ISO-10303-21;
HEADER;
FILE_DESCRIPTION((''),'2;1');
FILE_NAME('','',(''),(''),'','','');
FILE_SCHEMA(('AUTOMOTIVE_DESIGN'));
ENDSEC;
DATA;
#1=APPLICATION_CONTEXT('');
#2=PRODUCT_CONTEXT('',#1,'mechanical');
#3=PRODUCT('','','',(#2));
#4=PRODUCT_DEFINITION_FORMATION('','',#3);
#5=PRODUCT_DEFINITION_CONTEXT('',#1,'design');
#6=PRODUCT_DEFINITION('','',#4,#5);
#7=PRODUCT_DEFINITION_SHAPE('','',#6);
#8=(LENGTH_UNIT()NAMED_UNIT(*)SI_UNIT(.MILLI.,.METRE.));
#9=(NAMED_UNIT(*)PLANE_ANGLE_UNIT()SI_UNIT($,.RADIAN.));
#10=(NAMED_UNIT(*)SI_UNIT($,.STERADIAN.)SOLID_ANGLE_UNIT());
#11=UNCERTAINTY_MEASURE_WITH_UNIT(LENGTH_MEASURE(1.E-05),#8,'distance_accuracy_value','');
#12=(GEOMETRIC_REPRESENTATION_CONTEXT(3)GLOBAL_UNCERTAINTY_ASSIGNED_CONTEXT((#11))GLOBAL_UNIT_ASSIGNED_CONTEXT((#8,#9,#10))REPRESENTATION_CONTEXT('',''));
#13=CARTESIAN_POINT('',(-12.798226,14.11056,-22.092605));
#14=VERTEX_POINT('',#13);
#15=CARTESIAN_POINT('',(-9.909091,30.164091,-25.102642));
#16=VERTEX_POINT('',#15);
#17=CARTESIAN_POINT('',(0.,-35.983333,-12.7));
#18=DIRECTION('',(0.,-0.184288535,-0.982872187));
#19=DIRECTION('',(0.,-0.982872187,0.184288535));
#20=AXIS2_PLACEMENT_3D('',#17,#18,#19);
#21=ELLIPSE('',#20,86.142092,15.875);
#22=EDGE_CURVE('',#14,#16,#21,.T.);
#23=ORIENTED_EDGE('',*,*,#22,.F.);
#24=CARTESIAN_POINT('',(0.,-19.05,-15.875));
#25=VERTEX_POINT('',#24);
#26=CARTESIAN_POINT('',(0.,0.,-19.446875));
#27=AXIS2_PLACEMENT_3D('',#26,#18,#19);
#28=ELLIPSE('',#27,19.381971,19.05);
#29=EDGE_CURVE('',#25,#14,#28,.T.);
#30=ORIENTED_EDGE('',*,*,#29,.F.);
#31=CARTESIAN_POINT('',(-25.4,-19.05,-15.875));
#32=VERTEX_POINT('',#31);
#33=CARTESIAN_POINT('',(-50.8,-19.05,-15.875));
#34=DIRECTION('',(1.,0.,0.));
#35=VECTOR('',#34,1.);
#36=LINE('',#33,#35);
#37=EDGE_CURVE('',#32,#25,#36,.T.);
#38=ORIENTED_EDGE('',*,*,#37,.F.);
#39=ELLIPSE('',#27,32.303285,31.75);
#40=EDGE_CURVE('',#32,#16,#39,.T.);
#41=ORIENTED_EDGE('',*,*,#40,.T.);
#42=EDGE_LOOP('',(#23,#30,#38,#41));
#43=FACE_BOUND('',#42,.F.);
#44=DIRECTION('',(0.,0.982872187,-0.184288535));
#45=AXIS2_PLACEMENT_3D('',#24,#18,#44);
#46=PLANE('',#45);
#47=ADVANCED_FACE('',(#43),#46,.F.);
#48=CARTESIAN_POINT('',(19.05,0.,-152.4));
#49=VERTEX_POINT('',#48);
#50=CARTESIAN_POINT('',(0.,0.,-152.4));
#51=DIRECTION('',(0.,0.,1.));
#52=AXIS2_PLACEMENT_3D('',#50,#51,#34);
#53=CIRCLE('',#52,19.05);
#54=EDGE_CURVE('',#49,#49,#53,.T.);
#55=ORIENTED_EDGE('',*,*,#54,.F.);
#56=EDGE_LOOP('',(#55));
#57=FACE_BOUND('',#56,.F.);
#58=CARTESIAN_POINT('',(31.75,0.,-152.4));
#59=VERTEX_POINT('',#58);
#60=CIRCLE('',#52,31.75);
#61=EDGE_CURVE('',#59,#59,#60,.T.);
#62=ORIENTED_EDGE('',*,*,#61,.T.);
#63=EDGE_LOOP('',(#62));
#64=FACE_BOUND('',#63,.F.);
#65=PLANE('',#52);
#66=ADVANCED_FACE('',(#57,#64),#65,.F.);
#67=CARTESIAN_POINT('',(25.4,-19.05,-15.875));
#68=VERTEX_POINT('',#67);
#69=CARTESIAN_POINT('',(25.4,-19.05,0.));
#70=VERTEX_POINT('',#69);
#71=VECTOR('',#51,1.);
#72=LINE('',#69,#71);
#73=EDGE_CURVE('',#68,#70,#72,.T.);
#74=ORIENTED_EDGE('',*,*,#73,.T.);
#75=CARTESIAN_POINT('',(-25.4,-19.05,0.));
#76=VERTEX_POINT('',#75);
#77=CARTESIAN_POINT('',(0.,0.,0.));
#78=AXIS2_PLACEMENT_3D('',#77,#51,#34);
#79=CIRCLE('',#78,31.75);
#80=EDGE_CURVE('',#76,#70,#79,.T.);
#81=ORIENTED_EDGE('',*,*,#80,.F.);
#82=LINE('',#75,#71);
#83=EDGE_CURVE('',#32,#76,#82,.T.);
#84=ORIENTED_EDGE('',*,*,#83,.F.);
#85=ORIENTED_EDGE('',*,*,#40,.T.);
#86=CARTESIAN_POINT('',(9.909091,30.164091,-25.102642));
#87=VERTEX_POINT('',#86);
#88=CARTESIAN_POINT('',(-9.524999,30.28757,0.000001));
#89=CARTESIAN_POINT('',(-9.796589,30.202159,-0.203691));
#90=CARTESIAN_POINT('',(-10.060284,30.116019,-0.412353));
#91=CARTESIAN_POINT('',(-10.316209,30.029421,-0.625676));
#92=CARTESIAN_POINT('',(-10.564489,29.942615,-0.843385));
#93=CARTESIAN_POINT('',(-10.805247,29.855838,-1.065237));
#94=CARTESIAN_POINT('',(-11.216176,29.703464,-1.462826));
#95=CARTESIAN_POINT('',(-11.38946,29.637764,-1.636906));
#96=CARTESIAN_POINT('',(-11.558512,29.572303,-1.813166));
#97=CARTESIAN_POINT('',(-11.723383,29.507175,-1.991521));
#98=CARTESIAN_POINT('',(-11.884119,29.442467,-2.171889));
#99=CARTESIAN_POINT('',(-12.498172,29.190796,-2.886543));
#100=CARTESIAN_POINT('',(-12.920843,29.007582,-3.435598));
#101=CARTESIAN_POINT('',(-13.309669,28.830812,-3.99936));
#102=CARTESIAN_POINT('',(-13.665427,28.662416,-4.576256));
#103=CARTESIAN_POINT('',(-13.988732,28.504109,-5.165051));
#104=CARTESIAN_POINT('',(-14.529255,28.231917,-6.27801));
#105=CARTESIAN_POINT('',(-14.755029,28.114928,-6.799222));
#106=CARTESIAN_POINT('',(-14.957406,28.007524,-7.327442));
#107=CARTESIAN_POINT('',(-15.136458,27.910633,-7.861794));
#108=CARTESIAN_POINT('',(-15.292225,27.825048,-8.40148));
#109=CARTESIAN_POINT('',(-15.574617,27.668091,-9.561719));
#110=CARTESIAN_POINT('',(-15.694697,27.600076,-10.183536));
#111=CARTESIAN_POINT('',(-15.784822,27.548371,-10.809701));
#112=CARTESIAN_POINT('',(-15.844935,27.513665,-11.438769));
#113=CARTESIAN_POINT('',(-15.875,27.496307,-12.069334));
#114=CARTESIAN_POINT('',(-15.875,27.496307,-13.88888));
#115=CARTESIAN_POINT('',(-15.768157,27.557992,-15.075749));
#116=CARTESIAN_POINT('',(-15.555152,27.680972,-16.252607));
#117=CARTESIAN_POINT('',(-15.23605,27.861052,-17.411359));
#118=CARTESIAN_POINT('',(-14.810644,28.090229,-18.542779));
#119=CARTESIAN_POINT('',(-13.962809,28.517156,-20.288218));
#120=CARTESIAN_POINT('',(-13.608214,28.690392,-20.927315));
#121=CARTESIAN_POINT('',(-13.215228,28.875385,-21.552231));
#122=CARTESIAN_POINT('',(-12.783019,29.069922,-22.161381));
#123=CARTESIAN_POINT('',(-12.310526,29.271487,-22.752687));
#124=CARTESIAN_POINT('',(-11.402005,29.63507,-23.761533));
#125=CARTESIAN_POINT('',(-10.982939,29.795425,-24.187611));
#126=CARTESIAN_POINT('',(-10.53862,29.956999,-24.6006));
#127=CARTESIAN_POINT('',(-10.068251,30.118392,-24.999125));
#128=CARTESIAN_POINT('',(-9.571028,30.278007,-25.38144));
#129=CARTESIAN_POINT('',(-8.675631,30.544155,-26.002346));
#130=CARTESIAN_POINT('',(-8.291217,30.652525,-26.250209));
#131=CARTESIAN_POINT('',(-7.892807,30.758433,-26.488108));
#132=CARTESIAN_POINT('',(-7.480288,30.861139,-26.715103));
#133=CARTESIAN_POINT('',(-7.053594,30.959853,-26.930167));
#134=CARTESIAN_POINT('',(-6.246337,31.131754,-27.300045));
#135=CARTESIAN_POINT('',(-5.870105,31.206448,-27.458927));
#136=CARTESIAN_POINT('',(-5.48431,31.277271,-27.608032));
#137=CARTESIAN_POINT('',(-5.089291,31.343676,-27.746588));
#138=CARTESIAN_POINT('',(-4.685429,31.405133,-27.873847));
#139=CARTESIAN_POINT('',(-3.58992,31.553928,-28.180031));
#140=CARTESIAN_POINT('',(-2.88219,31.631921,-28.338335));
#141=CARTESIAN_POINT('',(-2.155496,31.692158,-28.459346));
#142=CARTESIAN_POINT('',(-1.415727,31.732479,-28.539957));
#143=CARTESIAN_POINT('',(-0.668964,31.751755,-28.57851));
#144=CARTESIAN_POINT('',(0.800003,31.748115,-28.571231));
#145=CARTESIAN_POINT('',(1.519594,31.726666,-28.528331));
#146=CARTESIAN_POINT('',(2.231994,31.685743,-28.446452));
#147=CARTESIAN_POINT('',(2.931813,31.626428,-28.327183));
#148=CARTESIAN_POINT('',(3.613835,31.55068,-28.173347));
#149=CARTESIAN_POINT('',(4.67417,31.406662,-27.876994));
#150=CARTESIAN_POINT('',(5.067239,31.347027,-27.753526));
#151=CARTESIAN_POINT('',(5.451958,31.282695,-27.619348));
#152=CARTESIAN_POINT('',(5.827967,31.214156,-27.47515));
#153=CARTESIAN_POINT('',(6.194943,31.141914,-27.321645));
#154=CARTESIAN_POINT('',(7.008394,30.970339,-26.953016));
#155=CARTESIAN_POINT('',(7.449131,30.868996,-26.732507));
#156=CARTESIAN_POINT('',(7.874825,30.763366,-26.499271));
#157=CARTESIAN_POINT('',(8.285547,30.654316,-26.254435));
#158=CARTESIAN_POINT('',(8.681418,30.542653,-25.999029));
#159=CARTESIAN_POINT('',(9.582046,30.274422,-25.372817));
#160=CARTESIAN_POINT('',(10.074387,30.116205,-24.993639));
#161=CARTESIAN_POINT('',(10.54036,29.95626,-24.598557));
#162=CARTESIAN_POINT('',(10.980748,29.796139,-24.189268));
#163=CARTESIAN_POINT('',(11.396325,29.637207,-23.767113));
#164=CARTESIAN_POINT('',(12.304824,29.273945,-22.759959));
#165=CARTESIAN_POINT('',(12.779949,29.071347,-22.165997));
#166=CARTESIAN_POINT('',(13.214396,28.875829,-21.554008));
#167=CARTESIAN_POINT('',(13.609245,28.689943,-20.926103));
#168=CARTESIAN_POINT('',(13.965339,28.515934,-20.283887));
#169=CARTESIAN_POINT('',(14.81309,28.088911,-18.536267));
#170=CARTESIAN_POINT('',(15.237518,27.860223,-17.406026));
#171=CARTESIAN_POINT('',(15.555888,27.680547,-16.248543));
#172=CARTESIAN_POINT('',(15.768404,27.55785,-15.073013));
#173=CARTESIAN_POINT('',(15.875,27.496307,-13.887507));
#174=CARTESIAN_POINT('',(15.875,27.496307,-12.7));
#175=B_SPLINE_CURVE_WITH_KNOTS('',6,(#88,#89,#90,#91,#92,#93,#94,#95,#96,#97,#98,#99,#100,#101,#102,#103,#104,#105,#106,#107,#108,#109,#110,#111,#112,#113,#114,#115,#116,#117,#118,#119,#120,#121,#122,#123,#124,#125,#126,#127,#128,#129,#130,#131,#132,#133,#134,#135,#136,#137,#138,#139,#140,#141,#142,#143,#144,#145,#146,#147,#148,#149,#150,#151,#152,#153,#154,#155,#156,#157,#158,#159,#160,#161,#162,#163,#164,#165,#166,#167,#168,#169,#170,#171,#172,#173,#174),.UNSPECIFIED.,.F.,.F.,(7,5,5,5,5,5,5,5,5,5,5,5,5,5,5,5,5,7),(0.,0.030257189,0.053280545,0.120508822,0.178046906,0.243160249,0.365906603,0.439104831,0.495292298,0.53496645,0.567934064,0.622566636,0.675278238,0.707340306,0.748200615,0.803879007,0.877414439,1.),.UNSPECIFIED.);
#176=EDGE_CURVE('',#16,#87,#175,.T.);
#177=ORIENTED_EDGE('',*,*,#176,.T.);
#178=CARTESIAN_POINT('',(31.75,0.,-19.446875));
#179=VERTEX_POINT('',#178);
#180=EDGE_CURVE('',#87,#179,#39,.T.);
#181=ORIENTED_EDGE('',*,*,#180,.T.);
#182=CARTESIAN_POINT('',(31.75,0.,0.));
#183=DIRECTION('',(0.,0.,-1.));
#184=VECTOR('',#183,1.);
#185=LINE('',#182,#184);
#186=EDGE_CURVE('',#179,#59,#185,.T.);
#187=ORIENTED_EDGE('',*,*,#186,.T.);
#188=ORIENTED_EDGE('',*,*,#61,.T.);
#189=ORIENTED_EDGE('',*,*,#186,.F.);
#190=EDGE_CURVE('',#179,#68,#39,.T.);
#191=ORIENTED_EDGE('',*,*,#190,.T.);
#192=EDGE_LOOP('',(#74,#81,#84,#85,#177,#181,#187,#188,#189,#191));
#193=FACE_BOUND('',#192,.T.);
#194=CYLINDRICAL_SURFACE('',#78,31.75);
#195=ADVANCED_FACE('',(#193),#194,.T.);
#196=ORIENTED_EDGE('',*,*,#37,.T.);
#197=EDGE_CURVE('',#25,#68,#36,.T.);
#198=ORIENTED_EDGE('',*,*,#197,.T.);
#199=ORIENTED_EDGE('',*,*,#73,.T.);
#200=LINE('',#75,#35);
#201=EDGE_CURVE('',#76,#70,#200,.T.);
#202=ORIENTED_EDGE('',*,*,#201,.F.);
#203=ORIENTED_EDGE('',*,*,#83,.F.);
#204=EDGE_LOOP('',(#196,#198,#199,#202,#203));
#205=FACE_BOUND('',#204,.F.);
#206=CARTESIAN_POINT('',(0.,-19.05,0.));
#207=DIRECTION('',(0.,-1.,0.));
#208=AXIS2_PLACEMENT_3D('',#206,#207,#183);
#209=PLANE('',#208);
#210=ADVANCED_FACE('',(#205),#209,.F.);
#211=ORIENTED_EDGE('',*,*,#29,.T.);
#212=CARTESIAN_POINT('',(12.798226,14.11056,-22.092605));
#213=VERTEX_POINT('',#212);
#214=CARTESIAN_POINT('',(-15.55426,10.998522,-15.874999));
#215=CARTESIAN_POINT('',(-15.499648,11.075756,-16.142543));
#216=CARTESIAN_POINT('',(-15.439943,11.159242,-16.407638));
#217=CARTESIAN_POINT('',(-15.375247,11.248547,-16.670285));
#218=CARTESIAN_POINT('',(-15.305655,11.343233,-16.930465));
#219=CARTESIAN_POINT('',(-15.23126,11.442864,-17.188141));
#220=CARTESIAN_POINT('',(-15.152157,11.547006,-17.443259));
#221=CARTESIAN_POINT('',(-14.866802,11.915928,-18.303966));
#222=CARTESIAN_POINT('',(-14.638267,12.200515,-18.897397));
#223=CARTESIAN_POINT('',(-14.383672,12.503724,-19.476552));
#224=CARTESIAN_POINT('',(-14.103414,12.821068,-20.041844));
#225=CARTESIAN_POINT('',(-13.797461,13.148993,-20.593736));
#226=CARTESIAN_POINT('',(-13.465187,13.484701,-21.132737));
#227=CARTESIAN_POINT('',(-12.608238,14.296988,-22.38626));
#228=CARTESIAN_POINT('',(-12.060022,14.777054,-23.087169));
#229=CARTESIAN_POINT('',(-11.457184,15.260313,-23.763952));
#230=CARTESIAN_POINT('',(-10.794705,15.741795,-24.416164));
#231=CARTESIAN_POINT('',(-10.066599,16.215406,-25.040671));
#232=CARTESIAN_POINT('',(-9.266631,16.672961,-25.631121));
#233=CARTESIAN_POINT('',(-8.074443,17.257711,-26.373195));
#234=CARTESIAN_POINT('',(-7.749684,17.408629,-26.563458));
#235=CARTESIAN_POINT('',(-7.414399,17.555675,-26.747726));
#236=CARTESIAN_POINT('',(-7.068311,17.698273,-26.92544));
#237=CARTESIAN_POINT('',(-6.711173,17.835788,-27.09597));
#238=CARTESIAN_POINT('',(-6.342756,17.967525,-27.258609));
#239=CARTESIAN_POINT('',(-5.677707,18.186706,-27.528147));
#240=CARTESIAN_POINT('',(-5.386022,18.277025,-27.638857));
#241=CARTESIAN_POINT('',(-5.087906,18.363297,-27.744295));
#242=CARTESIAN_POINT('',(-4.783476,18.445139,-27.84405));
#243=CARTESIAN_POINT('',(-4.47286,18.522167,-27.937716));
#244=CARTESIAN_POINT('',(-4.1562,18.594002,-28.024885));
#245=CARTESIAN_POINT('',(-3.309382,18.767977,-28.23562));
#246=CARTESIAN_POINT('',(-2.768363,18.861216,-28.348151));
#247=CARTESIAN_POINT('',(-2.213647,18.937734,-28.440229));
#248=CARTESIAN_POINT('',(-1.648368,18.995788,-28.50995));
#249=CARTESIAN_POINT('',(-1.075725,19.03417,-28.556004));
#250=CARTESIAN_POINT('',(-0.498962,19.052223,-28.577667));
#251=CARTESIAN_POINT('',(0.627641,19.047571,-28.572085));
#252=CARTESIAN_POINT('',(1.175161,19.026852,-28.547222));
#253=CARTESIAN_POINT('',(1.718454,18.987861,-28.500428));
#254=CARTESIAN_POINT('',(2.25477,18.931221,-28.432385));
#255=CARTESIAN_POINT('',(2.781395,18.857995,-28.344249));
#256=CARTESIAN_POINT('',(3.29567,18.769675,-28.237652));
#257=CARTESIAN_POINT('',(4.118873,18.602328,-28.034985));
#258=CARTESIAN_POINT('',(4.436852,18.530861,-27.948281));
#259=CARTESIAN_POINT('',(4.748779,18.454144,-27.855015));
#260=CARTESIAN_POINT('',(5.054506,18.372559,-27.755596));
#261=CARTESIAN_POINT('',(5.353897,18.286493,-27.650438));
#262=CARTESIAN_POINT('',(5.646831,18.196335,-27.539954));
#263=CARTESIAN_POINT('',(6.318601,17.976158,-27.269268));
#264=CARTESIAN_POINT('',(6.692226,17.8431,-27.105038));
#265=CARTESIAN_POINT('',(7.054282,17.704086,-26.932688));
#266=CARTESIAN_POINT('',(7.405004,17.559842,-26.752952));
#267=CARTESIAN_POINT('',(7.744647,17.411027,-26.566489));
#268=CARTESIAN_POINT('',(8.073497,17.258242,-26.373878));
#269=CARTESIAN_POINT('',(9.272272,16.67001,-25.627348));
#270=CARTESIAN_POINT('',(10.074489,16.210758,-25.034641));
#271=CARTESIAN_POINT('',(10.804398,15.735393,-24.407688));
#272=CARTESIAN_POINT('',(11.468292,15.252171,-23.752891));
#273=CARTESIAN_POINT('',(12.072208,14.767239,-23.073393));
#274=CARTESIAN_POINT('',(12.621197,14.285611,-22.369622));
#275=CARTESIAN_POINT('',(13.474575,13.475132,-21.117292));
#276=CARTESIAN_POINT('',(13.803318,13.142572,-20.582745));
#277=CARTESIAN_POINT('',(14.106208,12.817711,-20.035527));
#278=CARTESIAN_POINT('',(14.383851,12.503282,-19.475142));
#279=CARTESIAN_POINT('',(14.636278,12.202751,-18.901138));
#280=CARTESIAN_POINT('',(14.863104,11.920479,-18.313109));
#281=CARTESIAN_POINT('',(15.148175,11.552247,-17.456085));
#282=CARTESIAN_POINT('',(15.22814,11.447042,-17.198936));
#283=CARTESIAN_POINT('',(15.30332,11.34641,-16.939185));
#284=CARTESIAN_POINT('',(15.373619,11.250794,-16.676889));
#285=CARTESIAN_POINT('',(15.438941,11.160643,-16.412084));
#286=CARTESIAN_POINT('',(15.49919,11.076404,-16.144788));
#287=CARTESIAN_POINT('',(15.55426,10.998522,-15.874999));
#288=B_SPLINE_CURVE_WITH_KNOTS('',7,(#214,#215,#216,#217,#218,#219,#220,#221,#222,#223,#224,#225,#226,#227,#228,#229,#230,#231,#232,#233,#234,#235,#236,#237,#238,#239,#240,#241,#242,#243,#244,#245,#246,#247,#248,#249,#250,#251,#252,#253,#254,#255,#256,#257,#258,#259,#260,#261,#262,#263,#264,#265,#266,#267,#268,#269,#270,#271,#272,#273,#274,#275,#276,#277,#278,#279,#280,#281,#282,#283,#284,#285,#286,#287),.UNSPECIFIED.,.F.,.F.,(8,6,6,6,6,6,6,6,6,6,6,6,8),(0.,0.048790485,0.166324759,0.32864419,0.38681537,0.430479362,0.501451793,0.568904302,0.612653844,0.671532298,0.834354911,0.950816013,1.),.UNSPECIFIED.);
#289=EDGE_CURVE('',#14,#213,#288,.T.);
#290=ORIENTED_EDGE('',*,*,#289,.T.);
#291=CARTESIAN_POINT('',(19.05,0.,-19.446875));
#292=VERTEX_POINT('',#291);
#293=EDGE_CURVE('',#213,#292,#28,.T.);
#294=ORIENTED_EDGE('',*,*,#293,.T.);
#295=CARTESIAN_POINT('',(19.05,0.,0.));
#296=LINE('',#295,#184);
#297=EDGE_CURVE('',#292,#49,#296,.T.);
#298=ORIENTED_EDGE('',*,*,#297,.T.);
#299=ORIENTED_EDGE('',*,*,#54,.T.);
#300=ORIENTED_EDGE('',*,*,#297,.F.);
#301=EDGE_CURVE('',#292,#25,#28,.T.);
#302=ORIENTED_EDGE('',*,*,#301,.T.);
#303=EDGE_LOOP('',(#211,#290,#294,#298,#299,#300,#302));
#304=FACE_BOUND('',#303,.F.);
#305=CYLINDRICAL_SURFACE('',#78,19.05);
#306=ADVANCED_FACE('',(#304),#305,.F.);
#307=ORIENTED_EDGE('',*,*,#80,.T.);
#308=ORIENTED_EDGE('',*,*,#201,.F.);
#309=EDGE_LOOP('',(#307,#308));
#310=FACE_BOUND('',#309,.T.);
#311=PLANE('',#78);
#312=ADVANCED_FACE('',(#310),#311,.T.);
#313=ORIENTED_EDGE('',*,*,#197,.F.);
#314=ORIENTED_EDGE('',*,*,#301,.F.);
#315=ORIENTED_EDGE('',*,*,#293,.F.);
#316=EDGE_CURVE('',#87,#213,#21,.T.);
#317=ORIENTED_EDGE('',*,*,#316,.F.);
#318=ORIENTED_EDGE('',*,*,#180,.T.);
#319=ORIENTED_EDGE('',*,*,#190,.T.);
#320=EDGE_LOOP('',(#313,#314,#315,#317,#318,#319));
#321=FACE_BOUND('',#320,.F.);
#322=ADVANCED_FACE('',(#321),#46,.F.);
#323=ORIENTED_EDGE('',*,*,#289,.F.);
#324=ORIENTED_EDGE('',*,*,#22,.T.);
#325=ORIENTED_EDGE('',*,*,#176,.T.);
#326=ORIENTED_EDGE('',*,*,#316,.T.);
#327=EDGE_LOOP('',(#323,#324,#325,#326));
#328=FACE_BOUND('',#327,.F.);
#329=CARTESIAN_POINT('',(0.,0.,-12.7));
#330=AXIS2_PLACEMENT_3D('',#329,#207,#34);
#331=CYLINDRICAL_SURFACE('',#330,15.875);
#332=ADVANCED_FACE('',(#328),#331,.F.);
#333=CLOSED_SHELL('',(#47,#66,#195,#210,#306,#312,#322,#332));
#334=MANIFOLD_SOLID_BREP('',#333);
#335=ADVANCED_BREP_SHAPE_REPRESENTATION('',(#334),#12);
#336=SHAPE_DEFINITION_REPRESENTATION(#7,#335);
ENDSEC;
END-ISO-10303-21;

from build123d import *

# Parameters (mm, degrees)
F0_R     = 31.75
F0_R_2   = 19.05
F1_DEPTH = 152.4
F3_DEPTH = 50.8
F4_R     = 15.875
F5_DEPTH = 50.8


with BuildPart() as f1:
    # F0 (on Top) → F1 (new body)
    with BuildSketch(Plane.XY):
        Circle(F0_R)
        Circle(F0_R_2, mode=Mode.SUBTRACT)
    extrude(amount=-F1_DEPTH)

    # F2 (on Right) → F3 (cut, symmetric)
    with BuildSketch(Plane.YZ):
        Polygon((31.75, 0), (-19.05, 0), (-19.05, -15.875), (31.75, -25.4), align=None)
    extrude(amount=F3_DEPTH, both=True, mode=Mode.SUBTRACT)

    # F4 (on Front) → F5 (cut)
    with BuildSketch(Plane.XZ):
        with Locations((0, -12.7)):
            Circle(F4_R)
    extrude(amount=-F5_DEPTH, mode=Mode.SUBTRACT)


solid = f1.part
